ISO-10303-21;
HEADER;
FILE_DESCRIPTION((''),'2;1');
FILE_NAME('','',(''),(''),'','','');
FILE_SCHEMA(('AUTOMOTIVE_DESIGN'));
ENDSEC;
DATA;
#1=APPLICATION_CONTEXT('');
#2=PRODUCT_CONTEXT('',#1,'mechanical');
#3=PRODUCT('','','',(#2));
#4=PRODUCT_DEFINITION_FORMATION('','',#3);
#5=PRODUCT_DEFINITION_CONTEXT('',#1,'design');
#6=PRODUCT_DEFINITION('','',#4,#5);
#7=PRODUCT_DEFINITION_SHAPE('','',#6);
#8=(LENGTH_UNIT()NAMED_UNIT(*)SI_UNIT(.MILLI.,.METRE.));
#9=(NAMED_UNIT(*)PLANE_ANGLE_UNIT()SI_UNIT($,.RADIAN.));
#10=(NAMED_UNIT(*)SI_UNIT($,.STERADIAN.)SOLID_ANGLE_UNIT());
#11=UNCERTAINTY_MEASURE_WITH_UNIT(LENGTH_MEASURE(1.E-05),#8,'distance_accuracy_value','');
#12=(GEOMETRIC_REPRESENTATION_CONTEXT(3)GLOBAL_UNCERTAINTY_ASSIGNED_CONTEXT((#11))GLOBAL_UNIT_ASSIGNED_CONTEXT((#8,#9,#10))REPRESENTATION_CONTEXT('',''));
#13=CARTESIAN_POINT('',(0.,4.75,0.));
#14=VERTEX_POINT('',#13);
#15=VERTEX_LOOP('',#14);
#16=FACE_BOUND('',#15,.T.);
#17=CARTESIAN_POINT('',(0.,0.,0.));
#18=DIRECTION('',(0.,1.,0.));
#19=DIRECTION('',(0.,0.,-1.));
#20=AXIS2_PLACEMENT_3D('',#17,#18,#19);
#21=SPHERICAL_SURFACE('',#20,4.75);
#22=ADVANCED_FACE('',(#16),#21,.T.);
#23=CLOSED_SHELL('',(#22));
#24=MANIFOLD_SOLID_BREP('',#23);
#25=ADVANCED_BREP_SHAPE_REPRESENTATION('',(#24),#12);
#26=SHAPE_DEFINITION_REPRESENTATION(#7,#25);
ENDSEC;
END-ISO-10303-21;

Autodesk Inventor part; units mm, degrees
ref_plane "YZ Plane" through (0, 0, 0) normal (1, 0, 0) x (0, 1, 0)
ref_plane "XZ Plane" through (0, 0, 0) normal (0, 1, 0) x (-1, 0, 0)
ref_plane "XY Plane" through (0, 0, 0) normal (0, 0, 1) x (1, 0, 0)
sketch "Sketch1" plane through (0, 0, 0) normal (1, 0, 0) x (0, 1, 0)
  circle A0 centre (0, 0) radius 4.75
  line L0 (-4.75, 0) -> (4.75, 0)
  dimension "d0" = 9.5
revolve "Revolution1" add sketch "Sketch1" angle 360 about axis through (0, -4.75, 0) along (0, 1, 0) picked at (-0.8994, -1.3031) contours A0 L0
properties part number "marble" material "Steel"
